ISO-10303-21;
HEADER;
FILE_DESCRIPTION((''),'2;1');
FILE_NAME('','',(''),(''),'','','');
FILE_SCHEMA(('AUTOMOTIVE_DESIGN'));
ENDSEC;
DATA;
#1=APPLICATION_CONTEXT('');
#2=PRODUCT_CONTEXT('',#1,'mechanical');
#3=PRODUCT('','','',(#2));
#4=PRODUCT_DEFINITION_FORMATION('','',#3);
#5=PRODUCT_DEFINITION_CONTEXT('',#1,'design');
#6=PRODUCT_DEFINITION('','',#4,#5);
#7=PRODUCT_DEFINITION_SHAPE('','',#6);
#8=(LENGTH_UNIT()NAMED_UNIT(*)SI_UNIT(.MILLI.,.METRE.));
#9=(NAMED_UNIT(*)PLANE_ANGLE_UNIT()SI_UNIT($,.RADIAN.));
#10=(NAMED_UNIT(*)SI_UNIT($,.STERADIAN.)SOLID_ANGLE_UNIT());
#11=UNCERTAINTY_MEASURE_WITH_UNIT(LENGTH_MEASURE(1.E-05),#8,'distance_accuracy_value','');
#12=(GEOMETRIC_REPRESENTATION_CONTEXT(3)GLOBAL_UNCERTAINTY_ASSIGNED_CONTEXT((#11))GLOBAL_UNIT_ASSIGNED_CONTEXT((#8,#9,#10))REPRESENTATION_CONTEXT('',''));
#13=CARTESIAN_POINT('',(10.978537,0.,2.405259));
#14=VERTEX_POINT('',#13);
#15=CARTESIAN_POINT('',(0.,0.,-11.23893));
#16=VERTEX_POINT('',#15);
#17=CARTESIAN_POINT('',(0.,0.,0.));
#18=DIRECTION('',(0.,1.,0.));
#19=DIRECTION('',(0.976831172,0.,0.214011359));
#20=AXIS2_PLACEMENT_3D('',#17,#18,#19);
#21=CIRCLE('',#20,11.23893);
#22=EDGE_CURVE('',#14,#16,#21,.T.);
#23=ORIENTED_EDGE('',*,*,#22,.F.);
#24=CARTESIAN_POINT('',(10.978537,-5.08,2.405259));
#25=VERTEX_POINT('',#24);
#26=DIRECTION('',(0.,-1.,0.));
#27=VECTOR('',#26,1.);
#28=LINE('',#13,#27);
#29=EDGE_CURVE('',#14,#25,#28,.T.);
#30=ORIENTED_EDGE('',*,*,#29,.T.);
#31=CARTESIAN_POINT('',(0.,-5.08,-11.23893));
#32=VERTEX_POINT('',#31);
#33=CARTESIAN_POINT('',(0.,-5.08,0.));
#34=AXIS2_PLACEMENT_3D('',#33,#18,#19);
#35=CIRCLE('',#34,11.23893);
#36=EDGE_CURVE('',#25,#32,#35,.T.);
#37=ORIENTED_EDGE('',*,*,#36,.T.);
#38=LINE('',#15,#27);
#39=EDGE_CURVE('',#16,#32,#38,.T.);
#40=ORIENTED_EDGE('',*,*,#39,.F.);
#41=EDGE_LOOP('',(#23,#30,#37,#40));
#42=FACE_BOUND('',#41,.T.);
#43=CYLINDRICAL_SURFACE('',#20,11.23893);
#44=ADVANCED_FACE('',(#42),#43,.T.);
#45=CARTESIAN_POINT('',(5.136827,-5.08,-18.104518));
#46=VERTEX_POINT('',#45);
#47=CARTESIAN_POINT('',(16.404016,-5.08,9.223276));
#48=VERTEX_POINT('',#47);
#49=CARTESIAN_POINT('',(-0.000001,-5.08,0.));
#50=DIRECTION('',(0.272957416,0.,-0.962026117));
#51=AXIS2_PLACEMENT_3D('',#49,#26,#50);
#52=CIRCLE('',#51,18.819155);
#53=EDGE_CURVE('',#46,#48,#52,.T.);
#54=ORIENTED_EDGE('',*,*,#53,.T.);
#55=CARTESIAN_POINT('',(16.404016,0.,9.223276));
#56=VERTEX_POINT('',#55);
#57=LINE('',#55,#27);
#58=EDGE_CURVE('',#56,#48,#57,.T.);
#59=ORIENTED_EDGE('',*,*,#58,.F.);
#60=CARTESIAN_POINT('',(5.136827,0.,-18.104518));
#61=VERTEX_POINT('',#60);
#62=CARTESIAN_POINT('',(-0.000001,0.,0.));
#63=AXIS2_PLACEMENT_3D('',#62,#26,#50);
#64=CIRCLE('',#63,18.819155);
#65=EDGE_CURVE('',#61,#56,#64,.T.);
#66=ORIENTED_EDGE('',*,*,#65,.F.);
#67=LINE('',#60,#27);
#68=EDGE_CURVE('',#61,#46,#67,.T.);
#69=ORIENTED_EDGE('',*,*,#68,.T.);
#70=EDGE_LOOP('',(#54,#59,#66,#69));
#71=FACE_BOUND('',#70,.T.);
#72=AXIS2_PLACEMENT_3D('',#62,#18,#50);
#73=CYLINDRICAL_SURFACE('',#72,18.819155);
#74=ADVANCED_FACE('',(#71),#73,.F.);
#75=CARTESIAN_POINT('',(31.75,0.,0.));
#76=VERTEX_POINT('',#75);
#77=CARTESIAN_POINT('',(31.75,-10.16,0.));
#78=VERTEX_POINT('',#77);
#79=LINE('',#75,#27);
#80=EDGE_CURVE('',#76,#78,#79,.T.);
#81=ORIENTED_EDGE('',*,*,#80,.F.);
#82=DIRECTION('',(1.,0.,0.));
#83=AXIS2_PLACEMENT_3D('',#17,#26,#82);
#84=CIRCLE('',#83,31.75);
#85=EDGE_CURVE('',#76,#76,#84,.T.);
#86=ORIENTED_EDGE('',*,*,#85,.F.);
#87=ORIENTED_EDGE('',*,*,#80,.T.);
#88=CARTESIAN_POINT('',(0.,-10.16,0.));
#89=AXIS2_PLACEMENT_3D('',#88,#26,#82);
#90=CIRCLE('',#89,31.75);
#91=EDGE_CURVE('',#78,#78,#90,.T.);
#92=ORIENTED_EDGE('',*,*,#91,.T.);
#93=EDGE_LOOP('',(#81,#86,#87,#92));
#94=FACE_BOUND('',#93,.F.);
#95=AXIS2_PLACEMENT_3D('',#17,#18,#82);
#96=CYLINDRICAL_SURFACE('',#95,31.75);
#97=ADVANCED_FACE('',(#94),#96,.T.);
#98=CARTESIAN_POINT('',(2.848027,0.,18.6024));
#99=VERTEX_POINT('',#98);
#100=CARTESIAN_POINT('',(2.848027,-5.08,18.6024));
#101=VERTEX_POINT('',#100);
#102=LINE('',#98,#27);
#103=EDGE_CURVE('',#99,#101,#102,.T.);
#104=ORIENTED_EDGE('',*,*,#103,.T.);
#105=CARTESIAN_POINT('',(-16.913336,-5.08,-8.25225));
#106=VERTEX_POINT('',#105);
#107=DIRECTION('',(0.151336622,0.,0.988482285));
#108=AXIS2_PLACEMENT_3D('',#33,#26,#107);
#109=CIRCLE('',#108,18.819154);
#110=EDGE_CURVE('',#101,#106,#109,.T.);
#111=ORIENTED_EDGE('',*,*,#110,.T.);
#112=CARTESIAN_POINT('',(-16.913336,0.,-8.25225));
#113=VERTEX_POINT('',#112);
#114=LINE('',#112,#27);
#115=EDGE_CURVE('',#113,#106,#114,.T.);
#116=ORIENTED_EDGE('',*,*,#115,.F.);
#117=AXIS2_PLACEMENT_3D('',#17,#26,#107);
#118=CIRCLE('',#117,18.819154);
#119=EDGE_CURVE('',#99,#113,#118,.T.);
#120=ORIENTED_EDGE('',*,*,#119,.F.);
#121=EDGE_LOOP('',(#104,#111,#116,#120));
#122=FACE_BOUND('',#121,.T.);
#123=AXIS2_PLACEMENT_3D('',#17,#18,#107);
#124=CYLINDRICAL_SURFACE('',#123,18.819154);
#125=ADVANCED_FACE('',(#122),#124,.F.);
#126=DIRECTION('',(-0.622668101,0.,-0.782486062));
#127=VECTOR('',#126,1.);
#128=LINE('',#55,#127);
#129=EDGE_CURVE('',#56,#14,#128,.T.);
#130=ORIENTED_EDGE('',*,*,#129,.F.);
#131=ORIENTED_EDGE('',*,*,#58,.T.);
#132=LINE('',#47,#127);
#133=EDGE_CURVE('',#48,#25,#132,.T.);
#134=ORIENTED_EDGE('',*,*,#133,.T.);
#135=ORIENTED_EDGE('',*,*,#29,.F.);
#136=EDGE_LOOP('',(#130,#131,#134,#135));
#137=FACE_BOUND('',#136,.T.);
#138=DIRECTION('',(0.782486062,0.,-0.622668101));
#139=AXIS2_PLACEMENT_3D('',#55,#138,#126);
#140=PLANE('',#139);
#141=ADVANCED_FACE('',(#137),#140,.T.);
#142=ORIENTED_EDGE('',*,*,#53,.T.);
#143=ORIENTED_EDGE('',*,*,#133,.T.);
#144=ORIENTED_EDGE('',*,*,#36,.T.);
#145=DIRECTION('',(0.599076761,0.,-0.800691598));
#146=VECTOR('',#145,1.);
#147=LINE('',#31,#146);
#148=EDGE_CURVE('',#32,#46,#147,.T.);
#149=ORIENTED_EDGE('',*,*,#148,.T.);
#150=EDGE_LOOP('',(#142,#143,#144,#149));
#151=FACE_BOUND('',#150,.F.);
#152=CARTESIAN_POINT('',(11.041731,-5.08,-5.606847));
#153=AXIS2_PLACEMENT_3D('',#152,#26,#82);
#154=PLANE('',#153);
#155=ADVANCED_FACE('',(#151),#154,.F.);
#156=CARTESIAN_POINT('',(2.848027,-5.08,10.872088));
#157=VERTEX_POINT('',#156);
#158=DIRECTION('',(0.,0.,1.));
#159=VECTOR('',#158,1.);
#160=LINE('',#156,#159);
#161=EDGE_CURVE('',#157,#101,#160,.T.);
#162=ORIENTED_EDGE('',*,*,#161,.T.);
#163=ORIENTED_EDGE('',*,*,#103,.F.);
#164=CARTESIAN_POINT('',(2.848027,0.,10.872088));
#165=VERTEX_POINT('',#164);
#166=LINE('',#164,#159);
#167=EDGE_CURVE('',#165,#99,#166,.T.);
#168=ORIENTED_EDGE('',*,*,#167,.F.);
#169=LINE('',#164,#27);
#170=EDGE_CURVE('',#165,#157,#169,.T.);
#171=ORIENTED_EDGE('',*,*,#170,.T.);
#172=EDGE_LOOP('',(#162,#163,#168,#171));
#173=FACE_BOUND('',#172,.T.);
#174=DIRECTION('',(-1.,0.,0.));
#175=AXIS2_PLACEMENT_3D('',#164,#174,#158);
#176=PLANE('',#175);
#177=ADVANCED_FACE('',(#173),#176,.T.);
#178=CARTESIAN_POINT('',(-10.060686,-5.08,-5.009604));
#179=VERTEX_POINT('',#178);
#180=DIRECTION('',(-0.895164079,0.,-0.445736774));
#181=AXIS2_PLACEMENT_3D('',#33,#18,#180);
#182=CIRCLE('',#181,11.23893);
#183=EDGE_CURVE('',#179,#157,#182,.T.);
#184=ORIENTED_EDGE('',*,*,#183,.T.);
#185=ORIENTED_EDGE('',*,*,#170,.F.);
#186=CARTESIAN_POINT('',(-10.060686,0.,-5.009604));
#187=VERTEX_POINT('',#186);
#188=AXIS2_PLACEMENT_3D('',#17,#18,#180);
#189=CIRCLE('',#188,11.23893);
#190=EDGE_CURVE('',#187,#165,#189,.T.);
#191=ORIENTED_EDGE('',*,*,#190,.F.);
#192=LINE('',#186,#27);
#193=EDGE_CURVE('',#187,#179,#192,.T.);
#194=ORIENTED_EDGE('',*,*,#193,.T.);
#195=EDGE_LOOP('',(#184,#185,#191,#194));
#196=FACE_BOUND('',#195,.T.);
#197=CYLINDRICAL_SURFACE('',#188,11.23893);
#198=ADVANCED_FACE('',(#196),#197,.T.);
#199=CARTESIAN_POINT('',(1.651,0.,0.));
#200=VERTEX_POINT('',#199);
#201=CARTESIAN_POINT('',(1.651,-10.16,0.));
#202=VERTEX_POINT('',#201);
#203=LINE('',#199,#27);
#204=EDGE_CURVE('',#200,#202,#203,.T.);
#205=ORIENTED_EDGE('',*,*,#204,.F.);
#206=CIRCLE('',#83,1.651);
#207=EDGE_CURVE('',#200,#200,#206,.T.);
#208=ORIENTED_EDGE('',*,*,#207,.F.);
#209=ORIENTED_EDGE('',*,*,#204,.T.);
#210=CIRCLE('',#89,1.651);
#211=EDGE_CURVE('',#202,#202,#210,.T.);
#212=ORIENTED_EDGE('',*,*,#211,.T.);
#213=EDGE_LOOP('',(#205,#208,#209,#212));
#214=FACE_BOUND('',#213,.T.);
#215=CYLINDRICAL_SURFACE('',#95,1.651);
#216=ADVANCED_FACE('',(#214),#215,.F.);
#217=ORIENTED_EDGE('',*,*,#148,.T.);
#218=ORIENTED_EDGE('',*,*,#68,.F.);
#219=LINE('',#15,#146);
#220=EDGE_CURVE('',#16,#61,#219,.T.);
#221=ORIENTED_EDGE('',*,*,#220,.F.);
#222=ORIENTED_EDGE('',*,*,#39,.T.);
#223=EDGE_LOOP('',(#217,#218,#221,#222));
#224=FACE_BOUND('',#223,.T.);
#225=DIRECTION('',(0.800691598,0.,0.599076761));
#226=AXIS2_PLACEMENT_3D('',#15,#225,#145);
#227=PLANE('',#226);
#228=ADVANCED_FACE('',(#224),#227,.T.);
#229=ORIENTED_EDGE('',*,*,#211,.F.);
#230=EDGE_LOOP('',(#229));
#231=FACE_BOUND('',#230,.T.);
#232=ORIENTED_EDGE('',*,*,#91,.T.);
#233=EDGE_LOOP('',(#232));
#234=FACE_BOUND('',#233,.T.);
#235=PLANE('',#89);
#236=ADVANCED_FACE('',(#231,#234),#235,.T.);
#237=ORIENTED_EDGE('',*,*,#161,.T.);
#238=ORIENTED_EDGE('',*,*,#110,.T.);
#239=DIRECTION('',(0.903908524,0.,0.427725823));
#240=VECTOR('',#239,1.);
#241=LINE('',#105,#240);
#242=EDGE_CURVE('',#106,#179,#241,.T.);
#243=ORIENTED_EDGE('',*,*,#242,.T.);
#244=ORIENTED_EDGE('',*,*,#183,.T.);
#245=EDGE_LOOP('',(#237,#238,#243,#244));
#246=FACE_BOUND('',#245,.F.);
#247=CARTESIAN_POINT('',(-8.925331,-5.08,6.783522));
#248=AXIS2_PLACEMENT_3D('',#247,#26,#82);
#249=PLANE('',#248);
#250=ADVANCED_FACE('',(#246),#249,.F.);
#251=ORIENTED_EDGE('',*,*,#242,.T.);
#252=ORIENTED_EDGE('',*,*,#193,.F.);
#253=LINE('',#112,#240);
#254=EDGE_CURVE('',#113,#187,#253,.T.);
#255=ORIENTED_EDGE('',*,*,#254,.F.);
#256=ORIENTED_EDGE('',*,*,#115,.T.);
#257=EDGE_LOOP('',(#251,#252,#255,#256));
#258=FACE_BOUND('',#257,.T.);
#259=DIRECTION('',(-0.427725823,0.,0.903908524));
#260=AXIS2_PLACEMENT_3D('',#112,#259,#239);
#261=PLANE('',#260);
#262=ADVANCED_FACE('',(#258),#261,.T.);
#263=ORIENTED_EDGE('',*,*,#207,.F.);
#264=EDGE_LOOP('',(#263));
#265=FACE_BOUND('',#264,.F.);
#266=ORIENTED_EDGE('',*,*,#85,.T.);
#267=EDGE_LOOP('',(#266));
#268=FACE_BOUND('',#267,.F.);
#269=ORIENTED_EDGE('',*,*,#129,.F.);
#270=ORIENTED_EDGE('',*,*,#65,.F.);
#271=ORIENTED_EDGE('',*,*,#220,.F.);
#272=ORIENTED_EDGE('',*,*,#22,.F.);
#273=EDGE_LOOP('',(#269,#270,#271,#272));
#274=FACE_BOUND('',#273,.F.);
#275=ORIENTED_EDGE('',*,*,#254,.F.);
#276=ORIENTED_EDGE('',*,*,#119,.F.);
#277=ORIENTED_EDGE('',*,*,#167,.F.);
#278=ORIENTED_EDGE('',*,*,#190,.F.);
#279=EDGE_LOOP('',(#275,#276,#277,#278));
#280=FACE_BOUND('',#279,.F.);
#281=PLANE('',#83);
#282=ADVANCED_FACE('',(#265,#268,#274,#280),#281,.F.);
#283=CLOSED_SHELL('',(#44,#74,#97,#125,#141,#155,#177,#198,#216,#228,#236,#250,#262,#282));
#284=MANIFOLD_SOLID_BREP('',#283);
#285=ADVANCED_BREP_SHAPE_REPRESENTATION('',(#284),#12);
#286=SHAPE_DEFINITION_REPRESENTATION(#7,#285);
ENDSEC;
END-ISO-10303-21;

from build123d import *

# Parameters (mm, degrees)
F0_R     = 31.75
F0_R_2   = 1.651
F1_DEPTH = 10.16
F3_DEPTH = 5.08


with BuildPart() as f1:
    # F0 (on Front) → F1 (new body)
    with BuildSketch(Plane.XZ):
        Circle(F0_R)
        Circle(F0_R_2, mode=Mode.SUBTRACT)
    extrude(amount=F1_DEPTH)

    # F2 (on Front) → F3 (cut)
    with BuildSketch(Plane.XZ):
        with BuildLine():
            Line((2.848027, 10.872088), (2.848027, 18.6024))
            ThreePointArc((2.848027, 18.6024), (-15.157549, 11.15389), (-16.913336, -8.25225))
            Line((-16.913336, -8.25225), (-10.060686, -5.009604))
            ThreePointArc((-10.060686, -5.009604), (-8.72139, 7.088787), (2.848027, 10.872088))
        make_face()
        with BuildLine():
            Line((16.404016, 9.223276), (10.978537, 2.405259))
            ThreePointArc((10.978537, 2.405259), (8.756314, -7.045602), (0, -11.23893))
            Line((0, -11.23893), (5.136827, -18.104518))
            ThreePointArc((5.136827, -18.104518), (17.398392, -7.173319), (16.404016, 9.223276))
        make_face()
    extrude(amount=F3_DEPTH, mode=Mode.SUBTRACT)


solid = f1.part
